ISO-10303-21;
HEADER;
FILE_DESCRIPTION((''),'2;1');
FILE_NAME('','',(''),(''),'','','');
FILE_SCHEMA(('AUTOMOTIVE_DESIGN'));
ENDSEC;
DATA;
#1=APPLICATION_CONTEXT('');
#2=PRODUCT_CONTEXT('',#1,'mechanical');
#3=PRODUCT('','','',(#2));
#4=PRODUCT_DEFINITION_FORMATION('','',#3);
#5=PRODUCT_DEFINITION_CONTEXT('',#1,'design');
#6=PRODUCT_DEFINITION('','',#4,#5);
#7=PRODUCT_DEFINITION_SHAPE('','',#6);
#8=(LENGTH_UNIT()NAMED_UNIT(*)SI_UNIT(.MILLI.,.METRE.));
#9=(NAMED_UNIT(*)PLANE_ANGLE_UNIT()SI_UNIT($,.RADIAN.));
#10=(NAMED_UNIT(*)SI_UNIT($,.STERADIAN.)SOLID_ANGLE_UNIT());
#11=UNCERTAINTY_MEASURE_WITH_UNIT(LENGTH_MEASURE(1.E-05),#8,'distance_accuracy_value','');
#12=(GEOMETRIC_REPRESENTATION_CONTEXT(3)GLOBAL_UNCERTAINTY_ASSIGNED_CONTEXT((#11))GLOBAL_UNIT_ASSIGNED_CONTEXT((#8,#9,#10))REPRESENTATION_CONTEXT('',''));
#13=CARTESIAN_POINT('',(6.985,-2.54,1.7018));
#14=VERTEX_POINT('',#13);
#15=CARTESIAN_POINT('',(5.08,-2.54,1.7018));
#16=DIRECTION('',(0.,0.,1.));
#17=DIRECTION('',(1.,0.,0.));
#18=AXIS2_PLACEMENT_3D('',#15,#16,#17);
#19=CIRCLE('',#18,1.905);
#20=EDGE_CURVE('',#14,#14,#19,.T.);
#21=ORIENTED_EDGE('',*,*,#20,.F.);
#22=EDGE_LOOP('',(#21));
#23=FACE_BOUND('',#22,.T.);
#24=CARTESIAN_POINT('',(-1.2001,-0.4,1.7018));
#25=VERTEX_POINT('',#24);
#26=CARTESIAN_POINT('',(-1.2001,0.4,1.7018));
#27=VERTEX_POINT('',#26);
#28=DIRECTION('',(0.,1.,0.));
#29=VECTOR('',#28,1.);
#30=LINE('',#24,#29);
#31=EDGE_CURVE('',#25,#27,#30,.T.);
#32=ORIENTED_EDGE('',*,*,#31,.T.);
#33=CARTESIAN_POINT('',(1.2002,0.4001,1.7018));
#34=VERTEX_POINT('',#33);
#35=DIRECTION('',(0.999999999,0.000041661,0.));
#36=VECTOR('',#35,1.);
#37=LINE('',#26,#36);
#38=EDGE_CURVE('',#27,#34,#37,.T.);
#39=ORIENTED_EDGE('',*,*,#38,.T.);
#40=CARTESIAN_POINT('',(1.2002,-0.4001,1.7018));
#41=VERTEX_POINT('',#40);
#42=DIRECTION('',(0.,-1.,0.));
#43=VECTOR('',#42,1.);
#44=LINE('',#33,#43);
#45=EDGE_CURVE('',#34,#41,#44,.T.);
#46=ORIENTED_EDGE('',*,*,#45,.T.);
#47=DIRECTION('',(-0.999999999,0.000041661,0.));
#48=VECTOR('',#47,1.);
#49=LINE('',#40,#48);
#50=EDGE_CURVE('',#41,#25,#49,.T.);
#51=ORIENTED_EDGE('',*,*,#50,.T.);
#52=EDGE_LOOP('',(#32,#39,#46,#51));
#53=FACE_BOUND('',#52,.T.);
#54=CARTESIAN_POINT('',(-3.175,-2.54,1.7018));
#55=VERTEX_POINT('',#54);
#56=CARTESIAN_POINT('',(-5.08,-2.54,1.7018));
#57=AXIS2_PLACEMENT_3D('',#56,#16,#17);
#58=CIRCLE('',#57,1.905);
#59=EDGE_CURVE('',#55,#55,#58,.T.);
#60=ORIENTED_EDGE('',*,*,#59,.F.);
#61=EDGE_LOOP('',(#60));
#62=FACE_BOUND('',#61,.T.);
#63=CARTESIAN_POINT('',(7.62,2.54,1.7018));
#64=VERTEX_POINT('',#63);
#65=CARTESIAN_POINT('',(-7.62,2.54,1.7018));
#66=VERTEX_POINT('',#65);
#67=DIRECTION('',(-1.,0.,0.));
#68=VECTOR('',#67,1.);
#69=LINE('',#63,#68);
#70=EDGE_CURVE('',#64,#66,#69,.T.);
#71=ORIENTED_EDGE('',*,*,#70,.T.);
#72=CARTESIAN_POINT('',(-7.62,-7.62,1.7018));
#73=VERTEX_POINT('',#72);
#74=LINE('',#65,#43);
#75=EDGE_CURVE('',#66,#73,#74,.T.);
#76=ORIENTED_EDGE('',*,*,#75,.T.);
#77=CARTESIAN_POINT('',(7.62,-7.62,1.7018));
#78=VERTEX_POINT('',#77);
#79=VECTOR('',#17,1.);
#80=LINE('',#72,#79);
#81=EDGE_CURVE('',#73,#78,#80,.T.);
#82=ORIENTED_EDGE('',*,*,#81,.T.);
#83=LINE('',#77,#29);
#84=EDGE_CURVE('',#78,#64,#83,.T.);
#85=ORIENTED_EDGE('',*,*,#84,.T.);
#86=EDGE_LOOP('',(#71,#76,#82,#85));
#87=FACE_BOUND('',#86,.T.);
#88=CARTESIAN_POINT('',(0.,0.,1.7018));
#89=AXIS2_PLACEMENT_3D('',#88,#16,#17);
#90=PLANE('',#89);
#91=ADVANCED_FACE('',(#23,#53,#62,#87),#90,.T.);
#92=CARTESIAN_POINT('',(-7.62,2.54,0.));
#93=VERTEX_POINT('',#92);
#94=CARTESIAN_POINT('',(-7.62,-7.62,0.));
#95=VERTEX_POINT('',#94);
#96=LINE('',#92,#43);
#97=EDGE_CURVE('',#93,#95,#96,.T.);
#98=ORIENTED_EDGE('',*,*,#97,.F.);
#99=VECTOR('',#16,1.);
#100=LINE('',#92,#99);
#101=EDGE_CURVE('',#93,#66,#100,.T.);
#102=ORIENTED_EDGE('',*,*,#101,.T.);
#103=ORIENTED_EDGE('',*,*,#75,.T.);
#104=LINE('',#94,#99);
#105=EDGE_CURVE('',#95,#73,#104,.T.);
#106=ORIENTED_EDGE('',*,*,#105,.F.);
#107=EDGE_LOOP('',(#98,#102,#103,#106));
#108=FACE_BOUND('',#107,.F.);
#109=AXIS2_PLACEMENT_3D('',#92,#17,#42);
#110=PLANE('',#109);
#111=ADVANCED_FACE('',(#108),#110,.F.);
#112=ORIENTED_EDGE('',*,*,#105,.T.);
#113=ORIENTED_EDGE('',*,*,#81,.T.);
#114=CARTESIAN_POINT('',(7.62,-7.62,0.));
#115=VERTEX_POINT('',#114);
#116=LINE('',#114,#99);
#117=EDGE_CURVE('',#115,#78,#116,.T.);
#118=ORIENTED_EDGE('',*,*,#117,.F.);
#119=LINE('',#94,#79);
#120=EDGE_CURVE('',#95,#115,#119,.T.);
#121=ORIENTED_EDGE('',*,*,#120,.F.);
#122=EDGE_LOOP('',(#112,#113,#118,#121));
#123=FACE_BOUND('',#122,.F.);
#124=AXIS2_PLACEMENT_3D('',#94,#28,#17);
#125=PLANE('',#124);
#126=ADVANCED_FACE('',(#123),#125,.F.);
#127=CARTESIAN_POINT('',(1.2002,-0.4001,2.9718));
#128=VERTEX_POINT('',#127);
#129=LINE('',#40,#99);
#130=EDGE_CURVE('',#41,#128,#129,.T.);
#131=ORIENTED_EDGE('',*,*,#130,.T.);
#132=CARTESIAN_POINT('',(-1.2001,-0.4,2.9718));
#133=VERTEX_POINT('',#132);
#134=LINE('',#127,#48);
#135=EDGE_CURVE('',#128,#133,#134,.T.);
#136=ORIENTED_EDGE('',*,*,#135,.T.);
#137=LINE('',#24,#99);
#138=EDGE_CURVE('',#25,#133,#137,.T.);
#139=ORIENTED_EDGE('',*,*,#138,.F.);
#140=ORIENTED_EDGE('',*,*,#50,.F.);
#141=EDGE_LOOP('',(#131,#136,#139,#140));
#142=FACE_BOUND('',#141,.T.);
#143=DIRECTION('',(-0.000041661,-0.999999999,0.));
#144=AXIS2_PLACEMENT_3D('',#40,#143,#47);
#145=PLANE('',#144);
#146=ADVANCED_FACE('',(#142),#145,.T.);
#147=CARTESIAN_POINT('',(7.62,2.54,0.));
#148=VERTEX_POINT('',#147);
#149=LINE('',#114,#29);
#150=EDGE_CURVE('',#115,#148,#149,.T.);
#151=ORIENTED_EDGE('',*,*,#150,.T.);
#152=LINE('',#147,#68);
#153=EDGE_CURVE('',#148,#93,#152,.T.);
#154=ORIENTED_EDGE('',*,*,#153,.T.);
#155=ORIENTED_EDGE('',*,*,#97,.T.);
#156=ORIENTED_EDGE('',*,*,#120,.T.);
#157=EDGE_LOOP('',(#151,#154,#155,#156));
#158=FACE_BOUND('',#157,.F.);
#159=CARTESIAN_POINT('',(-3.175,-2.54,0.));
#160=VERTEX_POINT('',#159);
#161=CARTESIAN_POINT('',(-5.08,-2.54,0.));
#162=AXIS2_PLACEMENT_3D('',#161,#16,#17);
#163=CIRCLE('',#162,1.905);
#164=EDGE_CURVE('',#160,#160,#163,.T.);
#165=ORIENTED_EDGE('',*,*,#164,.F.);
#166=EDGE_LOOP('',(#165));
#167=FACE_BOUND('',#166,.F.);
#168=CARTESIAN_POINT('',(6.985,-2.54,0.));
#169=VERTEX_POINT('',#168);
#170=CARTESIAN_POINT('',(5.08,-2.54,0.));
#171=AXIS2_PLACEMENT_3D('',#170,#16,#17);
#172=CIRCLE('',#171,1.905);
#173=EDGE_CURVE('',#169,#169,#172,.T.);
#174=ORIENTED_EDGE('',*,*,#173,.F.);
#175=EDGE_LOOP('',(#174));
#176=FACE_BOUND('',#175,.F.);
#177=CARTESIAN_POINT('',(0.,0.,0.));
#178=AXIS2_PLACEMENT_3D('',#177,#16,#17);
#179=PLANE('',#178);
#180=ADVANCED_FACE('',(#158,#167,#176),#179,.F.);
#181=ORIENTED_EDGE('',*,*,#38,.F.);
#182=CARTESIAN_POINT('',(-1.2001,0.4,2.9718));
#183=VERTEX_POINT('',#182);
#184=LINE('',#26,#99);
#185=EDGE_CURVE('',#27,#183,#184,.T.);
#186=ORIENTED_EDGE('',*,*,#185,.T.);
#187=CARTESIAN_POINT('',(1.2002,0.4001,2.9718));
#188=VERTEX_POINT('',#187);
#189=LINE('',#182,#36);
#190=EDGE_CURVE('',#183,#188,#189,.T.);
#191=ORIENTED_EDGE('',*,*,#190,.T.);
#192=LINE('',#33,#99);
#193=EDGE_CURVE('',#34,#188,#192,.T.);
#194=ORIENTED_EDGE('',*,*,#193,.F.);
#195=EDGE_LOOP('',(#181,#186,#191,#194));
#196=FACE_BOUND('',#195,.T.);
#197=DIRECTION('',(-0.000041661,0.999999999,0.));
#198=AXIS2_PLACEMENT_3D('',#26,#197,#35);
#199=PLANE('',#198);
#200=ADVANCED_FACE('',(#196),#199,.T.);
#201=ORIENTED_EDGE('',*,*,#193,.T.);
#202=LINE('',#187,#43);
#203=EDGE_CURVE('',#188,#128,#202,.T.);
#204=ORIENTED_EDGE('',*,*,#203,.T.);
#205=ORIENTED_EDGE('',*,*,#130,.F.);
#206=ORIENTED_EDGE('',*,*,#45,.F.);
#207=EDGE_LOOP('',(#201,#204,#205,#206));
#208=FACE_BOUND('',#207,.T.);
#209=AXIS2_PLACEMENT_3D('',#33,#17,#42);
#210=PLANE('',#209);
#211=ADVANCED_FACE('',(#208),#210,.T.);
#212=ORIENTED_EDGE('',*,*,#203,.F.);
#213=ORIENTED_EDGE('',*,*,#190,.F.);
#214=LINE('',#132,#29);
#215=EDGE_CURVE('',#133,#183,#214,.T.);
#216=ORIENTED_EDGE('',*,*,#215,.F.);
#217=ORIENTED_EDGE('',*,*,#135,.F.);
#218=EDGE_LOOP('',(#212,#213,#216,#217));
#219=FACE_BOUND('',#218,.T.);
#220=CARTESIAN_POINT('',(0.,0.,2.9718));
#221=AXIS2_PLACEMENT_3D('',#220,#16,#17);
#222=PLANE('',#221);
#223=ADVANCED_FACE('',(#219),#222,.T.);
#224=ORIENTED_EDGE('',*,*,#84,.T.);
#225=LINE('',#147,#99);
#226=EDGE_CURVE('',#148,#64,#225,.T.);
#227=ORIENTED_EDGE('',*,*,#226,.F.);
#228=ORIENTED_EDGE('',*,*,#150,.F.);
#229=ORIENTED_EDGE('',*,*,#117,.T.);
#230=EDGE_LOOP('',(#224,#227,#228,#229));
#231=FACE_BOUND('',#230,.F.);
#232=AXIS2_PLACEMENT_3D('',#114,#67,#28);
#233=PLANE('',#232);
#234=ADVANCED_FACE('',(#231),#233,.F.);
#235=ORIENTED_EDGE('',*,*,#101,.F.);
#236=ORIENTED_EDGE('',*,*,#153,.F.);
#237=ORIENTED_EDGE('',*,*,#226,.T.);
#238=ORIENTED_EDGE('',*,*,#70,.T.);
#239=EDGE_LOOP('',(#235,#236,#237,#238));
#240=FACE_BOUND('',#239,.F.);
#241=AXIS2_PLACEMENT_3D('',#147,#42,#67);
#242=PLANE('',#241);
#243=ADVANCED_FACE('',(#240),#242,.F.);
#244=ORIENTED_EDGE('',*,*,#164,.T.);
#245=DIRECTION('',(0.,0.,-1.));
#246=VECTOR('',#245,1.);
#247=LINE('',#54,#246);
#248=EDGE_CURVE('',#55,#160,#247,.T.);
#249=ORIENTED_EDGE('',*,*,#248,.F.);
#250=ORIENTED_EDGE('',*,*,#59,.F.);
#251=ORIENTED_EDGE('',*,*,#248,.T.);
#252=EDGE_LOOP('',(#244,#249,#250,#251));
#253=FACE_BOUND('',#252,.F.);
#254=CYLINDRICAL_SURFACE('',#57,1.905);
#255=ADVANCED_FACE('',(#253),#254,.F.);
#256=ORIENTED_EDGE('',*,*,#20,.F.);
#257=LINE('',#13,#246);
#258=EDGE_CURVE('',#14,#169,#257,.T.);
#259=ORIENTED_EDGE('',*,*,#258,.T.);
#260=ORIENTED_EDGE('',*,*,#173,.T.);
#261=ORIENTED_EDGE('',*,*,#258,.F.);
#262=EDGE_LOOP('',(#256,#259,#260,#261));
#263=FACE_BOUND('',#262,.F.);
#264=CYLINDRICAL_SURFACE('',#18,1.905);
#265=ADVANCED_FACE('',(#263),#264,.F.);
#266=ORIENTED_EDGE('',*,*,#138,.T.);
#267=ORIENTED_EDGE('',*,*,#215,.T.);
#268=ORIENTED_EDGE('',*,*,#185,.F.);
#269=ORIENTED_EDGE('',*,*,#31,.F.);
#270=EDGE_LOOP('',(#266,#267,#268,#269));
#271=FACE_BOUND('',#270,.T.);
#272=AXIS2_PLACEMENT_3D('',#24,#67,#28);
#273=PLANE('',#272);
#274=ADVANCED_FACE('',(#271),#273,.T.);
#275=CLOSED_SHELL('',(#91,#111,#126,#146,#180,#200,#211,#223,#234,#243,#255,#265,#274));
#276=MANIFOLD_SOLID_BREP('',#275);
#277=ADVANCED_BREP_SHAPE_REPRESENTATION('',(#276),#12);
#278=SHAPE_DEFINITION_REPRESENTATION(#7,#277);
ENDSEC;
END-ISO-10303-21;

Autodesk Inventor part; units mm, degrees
ref_plane "YZ Plane" through (0, 0, 0) normal (1, 0, 0) x (0, 1, 0)
ref_plane "XZ Plane" through (0, 0, 0) normal (0, 1, 0) x (-1, 0, 0)
ref_plane "XY Plane" through (0, 0, 0) normal (0, 0, 1) x (1, 0, 0)
sketch "Sketch1" plane through (0, 0, 0) normal (0, 0, 1) x (1, 0, 0)
  line L0 (-7.62, -7.62) -> (7.62, -7.62)
  line L1 (7.62, -7.62) -> (7.62, 2.54)
  line L2 (7.62, 2.54) -> (-7.62, 2.54)
  line L3 (-7.62, 2.54) -> (-7.62, -7.62)
  line L4 (-10.668, 0) -> (10.668, 0) construction
  line L5 (0, -9.652) -> (0, 4.572) construction
  point P0 (0, 0)
  dimension "d0" = 10.16
  dimension "d1" = 15.24
  dimension "d2" = 2.54
extrude "Extrusion1" add sketch "Sketch1" along normal blind 1.7018
sketch "Sketch2" plane through (0, 0, 1.7018) normal (0, 0, 1) x (1, 0, 0)
  line L0 (-7.62, -7.62) -> (-7.62, 2.54) projected
  line L1 (7.62, -7.62) -> (-7.62, -7.62) projected
  line L2 (7.62, 2.54) -> (7.62, -7.62) projected
  line L3 (-7.62, 2.54) -> (7.62, 2.54) projected
  line L4 (-10.668, 0) -> (10.668, 0) construction
  line L5 (0, -9.652) -> (0, 4.572) construction
  line L6 (-7.62, -2.54) -> (7.62, -2.54) construction
  circle A0 centre (-5.08, -2.54) radius 1.905
  circle A1 centre (5.08, -2.54) radius 1.905
  point P0 (0, 0)
  dimension "d5" = 10.16
  dimension "d6" = 3.81
extrude "Extrusion2" cut sketch "Sketch2" against normal through all contours A0 | A1
sketch "Sketch3" plane through (0, 0, 1.7018) normal (0, 0, 1) x (1, 0, 0)
  line L0 (-10.668, 0) -> (10.668, 0) construction
  line L1 (0, -9.652) -> (0, 4.572) construction
  line L2 (-1.2001, 0.4) -> (1.2002, 0.4001)
  line L3 (1.2002, 0.4001) -> (1.2002, -0.4001)
  line L4 (1.2002, -0.4001) -> (-1.2001, -0.4)
  line L5 (-1.2001, -0.4) -> (-1.2001, 0.4)
  point P0 (0, 0)
  dimension "d9" = 0.8001
  dimension "d10" = 2.4003
extrude "Extrusion3" add sketch "Sketch3" along normal blind 1.27
sketch "Sketch4" plane through (0, 0, 0) normal (0, 0, -1) x (-1, 0, 0)
  circle A0 centre (2.54, 0.1778) radius 0.635 projected
  circle A1 centre (0, 0.1778) radius 0.635 projected
  circle A2 centre (-2.54, 0.1778) radius 0.635 projected
  point P0 (0, 0)
properties part number "J002609"
